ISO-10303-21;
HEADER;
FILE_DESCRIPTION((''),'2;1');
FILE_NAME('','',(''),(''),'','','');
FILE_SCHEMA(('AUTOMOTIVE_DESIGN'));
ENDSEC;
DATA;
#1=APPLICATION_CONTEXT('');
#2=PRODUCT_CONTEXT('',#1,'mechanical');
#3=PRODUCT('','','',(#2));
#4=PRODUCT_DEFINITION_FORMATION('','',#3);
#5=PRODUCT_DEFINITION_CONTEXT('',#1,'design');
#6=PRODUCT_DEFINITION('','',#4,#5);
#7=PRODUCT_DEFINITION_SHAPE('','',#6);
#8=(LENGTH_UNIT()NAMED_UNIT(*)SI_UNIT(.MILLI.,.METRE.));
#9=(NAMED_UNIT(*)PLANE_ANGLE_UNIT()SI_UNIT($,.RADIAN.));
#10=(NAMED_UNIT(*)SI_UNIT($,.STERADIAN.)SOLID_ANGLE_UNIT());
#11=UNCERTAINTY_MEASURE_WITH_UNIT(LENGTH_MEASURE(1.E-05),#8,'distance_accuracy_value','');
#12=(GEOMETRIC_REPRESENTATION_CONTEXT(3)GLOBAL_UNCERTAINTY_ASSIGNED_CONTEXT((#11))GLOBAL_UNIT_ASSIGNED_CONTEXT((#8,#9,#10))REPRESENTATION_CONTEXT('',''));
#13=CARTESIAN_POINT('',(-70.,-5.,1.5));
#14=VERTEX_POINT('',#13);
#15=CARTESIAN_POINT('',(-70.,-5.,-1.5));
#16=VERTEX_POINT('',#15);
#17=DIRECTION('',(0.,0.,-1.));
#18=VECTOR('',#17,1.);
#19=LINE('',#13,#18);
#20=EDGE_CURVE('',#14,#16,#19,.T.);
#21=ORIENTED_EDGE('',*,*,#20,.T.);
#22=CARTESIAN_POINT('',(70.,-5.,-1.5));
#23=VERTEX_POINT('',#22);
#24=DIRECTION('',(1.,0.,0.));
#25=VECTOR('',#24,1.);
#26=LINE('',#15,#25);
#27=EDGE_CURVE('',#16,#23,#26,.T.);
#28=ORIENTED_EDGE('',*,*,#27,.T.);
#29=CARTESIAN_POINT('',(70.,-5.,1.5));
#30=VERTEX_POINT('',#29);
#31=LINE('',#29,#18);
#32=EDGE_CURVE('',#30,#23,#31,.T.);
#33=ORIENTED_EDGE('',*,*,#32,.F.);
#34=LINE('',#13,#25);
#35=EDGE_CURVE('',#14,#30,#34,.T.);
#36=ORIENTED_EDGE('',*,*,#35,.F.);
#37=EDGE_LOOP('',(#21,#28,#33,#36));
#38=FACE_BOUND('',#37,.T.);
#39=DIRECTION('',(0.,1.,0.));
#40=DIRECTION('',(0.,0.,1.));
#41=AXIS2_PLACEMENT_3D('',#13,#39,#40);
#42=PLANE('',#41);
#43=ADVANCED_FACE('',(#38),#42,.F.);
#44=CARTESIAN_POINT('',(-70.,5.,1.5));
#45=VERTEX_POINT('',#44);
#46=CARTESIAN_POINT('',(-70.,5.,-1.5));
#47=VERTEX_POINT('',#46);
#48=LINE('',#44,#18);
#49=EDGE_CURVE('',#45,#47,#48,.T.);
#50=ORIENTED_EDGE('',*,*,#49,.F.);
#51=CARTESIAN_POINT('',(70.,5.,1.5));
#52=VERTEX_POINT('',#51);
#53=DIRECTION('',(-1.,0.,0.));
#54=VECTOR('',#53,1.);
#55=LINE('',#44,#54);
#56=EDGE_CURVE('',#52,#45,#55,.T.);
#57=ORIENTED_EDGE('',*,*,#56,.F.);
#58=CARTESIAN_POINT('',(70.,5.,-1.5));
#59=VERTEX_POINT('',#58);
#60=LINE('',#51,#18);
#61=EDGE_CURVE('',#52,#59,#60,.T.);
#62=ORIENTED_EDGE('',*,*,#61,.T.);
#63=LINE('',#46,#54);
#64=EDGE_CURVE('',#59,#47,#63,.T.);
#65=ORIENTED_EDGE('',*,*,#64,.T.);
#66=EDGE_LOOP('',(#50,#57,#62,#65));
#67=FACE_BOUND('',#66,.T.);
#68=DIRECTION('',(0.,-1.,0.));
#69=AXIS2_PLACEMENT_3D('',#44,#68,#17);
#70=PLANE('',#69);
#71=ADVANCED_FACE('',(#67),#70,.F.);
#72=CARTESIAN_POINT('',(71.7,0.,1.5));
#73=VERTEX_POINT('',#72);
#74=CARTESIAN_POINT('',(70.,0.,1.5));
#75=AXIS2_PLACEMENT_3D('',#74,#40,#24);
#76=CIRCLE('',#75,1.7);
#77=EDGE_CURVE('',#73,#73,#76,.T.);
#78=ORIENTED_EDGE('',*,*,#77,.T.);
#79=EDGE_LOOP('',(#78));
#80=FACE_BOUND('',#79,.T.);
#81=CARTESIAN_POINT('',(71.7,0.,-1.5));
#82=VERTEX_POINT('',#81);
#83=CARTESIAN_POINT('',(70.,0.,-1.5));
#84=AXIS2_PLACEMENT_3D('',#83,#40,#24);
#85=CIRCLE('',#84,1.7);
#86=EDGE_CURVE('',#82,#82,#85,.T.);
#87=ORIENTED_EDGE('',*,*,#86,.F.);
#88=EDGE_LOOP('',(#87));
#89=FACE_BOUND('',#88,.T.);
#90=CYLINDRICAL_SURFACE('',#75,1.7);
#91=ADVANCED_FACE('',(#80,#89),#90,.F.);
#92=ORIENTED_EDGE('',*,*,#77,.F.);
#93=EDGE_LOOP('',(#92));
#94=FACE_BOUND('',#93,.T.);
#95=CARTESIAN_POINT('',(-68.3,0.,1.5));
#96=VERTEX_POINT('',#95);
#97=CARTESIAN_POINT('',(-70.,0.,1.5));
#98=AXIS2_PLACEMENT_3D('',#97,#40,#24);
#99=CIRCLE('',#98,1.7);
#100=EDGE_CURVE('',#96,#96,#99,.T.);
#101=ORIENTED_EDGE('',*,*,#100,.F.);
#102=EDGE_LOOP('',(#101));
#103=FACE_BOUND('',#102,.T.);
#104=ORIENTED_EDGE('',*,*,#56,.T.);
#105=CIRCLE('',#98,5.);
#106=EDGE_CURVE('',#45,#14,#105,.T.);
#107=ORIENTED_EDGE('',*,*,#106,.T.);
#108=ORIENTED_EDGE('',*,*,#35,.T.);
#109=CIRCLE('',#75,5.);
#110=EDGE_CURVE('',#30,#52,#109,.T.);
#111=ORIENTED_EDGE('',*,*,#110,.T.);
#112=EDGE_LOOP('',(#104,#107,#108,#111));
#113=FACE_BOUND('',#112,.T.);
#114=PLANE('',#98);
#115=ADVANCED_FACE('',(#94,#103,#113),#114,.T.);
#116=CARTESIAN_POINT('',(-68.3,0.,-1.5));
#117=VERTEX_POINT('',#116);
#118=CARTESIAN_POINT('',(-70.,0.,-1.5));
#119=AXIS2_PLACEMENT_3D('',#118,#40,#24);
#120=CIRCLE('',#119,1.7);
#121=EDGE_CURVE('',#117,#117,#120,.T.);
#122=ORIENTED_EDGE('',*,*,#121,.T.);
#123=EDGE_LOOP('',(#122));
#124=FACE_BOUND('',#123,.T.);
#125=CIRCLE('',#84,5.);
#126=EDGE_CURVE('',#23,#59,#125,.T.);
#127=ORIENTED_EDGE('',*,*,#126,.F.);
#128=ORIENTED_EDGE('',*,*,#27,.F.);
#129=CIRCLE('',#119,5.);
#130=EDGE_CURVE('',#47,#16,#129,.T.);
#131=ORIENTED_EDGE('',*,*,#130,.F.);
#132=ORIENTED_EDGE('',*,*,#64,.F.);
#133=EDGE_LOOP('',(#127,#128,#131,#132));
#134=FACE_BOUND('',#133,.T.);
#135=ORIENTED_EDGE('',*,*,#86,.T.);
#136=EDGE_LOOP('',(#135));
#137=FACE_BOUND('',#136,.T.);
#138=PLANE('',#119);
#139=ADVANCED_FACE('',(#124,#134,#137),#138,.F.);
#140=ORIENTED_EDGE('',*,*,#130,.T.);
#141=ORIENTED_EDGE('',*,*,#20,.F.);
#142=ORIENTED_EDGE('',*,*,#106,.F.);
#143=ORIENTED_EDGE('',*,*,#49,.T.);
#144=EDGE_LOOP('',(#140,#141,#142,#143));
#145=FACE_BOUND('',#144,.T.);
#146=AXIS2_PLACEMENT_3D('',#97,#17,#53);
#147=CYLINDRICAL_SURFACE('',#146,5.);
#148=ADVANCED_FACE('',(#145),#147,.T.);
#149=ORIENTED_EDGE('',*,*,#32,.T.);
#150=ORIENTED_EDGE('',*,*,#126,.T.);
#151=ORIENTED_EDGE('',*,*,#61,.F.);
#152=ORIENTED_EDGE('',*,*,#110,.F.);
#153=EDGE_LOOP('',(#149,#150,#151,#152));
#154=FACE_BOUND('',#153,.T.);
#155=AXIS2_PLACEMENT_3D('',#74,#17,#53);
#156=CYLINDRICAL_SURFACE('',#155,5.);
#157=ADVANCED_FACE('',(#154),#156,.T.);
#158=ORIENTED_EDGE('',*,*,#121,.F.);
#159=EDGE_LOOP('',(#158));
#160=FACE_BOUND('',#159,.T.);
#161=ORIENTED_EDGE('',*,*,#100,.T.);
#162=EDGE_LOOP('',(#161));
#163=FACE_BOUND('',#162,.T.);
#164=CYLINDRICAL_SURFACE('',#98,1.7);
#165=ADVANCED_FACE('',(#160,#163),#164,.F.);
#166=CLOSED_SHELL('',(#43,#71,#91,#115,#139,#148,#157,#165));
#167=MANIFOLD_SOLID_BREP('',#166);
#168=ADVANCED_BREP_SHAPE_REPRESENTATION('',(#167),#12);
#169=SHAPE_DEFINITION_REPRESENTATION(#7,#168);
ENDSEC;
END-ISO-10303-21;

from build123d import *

# Parameters (mm, degrees)
AUFSATZ_LINEAR_AUSTRAGEN1_DEPTH = 1.5
DURCHGANGSLOCH_F_R_M31_D        = 3.4


with BuildPart() as part:
    # Skizze1 → Aufsatz-Linear austragen1 (new body, symmetric)
    with BuildSketch(Plane.XY):
        with BuildLine():
            Line((-70, 5), (70, 5))
            ThreePointArc((70, 5), (75, 0), (70, -5))
            Line((70, -5), (-70, -5))
            ThreePointArc((-70, -5), (-75, 0), (-70, 5))
        make_face()
    extrude(amount=AUFSATZ_LINEAR_AUSTRAGEN1_DEPTH, both=True)

    # Durchgangsloch für M31 (through all)
    with Locations(Plane.XY.offset(1.5)):
        with Locations((-70, 0), (70, 0)):
            Hole(DURCHGANGSLOCH_F_R_M31_D / 2)


solid = part.part
